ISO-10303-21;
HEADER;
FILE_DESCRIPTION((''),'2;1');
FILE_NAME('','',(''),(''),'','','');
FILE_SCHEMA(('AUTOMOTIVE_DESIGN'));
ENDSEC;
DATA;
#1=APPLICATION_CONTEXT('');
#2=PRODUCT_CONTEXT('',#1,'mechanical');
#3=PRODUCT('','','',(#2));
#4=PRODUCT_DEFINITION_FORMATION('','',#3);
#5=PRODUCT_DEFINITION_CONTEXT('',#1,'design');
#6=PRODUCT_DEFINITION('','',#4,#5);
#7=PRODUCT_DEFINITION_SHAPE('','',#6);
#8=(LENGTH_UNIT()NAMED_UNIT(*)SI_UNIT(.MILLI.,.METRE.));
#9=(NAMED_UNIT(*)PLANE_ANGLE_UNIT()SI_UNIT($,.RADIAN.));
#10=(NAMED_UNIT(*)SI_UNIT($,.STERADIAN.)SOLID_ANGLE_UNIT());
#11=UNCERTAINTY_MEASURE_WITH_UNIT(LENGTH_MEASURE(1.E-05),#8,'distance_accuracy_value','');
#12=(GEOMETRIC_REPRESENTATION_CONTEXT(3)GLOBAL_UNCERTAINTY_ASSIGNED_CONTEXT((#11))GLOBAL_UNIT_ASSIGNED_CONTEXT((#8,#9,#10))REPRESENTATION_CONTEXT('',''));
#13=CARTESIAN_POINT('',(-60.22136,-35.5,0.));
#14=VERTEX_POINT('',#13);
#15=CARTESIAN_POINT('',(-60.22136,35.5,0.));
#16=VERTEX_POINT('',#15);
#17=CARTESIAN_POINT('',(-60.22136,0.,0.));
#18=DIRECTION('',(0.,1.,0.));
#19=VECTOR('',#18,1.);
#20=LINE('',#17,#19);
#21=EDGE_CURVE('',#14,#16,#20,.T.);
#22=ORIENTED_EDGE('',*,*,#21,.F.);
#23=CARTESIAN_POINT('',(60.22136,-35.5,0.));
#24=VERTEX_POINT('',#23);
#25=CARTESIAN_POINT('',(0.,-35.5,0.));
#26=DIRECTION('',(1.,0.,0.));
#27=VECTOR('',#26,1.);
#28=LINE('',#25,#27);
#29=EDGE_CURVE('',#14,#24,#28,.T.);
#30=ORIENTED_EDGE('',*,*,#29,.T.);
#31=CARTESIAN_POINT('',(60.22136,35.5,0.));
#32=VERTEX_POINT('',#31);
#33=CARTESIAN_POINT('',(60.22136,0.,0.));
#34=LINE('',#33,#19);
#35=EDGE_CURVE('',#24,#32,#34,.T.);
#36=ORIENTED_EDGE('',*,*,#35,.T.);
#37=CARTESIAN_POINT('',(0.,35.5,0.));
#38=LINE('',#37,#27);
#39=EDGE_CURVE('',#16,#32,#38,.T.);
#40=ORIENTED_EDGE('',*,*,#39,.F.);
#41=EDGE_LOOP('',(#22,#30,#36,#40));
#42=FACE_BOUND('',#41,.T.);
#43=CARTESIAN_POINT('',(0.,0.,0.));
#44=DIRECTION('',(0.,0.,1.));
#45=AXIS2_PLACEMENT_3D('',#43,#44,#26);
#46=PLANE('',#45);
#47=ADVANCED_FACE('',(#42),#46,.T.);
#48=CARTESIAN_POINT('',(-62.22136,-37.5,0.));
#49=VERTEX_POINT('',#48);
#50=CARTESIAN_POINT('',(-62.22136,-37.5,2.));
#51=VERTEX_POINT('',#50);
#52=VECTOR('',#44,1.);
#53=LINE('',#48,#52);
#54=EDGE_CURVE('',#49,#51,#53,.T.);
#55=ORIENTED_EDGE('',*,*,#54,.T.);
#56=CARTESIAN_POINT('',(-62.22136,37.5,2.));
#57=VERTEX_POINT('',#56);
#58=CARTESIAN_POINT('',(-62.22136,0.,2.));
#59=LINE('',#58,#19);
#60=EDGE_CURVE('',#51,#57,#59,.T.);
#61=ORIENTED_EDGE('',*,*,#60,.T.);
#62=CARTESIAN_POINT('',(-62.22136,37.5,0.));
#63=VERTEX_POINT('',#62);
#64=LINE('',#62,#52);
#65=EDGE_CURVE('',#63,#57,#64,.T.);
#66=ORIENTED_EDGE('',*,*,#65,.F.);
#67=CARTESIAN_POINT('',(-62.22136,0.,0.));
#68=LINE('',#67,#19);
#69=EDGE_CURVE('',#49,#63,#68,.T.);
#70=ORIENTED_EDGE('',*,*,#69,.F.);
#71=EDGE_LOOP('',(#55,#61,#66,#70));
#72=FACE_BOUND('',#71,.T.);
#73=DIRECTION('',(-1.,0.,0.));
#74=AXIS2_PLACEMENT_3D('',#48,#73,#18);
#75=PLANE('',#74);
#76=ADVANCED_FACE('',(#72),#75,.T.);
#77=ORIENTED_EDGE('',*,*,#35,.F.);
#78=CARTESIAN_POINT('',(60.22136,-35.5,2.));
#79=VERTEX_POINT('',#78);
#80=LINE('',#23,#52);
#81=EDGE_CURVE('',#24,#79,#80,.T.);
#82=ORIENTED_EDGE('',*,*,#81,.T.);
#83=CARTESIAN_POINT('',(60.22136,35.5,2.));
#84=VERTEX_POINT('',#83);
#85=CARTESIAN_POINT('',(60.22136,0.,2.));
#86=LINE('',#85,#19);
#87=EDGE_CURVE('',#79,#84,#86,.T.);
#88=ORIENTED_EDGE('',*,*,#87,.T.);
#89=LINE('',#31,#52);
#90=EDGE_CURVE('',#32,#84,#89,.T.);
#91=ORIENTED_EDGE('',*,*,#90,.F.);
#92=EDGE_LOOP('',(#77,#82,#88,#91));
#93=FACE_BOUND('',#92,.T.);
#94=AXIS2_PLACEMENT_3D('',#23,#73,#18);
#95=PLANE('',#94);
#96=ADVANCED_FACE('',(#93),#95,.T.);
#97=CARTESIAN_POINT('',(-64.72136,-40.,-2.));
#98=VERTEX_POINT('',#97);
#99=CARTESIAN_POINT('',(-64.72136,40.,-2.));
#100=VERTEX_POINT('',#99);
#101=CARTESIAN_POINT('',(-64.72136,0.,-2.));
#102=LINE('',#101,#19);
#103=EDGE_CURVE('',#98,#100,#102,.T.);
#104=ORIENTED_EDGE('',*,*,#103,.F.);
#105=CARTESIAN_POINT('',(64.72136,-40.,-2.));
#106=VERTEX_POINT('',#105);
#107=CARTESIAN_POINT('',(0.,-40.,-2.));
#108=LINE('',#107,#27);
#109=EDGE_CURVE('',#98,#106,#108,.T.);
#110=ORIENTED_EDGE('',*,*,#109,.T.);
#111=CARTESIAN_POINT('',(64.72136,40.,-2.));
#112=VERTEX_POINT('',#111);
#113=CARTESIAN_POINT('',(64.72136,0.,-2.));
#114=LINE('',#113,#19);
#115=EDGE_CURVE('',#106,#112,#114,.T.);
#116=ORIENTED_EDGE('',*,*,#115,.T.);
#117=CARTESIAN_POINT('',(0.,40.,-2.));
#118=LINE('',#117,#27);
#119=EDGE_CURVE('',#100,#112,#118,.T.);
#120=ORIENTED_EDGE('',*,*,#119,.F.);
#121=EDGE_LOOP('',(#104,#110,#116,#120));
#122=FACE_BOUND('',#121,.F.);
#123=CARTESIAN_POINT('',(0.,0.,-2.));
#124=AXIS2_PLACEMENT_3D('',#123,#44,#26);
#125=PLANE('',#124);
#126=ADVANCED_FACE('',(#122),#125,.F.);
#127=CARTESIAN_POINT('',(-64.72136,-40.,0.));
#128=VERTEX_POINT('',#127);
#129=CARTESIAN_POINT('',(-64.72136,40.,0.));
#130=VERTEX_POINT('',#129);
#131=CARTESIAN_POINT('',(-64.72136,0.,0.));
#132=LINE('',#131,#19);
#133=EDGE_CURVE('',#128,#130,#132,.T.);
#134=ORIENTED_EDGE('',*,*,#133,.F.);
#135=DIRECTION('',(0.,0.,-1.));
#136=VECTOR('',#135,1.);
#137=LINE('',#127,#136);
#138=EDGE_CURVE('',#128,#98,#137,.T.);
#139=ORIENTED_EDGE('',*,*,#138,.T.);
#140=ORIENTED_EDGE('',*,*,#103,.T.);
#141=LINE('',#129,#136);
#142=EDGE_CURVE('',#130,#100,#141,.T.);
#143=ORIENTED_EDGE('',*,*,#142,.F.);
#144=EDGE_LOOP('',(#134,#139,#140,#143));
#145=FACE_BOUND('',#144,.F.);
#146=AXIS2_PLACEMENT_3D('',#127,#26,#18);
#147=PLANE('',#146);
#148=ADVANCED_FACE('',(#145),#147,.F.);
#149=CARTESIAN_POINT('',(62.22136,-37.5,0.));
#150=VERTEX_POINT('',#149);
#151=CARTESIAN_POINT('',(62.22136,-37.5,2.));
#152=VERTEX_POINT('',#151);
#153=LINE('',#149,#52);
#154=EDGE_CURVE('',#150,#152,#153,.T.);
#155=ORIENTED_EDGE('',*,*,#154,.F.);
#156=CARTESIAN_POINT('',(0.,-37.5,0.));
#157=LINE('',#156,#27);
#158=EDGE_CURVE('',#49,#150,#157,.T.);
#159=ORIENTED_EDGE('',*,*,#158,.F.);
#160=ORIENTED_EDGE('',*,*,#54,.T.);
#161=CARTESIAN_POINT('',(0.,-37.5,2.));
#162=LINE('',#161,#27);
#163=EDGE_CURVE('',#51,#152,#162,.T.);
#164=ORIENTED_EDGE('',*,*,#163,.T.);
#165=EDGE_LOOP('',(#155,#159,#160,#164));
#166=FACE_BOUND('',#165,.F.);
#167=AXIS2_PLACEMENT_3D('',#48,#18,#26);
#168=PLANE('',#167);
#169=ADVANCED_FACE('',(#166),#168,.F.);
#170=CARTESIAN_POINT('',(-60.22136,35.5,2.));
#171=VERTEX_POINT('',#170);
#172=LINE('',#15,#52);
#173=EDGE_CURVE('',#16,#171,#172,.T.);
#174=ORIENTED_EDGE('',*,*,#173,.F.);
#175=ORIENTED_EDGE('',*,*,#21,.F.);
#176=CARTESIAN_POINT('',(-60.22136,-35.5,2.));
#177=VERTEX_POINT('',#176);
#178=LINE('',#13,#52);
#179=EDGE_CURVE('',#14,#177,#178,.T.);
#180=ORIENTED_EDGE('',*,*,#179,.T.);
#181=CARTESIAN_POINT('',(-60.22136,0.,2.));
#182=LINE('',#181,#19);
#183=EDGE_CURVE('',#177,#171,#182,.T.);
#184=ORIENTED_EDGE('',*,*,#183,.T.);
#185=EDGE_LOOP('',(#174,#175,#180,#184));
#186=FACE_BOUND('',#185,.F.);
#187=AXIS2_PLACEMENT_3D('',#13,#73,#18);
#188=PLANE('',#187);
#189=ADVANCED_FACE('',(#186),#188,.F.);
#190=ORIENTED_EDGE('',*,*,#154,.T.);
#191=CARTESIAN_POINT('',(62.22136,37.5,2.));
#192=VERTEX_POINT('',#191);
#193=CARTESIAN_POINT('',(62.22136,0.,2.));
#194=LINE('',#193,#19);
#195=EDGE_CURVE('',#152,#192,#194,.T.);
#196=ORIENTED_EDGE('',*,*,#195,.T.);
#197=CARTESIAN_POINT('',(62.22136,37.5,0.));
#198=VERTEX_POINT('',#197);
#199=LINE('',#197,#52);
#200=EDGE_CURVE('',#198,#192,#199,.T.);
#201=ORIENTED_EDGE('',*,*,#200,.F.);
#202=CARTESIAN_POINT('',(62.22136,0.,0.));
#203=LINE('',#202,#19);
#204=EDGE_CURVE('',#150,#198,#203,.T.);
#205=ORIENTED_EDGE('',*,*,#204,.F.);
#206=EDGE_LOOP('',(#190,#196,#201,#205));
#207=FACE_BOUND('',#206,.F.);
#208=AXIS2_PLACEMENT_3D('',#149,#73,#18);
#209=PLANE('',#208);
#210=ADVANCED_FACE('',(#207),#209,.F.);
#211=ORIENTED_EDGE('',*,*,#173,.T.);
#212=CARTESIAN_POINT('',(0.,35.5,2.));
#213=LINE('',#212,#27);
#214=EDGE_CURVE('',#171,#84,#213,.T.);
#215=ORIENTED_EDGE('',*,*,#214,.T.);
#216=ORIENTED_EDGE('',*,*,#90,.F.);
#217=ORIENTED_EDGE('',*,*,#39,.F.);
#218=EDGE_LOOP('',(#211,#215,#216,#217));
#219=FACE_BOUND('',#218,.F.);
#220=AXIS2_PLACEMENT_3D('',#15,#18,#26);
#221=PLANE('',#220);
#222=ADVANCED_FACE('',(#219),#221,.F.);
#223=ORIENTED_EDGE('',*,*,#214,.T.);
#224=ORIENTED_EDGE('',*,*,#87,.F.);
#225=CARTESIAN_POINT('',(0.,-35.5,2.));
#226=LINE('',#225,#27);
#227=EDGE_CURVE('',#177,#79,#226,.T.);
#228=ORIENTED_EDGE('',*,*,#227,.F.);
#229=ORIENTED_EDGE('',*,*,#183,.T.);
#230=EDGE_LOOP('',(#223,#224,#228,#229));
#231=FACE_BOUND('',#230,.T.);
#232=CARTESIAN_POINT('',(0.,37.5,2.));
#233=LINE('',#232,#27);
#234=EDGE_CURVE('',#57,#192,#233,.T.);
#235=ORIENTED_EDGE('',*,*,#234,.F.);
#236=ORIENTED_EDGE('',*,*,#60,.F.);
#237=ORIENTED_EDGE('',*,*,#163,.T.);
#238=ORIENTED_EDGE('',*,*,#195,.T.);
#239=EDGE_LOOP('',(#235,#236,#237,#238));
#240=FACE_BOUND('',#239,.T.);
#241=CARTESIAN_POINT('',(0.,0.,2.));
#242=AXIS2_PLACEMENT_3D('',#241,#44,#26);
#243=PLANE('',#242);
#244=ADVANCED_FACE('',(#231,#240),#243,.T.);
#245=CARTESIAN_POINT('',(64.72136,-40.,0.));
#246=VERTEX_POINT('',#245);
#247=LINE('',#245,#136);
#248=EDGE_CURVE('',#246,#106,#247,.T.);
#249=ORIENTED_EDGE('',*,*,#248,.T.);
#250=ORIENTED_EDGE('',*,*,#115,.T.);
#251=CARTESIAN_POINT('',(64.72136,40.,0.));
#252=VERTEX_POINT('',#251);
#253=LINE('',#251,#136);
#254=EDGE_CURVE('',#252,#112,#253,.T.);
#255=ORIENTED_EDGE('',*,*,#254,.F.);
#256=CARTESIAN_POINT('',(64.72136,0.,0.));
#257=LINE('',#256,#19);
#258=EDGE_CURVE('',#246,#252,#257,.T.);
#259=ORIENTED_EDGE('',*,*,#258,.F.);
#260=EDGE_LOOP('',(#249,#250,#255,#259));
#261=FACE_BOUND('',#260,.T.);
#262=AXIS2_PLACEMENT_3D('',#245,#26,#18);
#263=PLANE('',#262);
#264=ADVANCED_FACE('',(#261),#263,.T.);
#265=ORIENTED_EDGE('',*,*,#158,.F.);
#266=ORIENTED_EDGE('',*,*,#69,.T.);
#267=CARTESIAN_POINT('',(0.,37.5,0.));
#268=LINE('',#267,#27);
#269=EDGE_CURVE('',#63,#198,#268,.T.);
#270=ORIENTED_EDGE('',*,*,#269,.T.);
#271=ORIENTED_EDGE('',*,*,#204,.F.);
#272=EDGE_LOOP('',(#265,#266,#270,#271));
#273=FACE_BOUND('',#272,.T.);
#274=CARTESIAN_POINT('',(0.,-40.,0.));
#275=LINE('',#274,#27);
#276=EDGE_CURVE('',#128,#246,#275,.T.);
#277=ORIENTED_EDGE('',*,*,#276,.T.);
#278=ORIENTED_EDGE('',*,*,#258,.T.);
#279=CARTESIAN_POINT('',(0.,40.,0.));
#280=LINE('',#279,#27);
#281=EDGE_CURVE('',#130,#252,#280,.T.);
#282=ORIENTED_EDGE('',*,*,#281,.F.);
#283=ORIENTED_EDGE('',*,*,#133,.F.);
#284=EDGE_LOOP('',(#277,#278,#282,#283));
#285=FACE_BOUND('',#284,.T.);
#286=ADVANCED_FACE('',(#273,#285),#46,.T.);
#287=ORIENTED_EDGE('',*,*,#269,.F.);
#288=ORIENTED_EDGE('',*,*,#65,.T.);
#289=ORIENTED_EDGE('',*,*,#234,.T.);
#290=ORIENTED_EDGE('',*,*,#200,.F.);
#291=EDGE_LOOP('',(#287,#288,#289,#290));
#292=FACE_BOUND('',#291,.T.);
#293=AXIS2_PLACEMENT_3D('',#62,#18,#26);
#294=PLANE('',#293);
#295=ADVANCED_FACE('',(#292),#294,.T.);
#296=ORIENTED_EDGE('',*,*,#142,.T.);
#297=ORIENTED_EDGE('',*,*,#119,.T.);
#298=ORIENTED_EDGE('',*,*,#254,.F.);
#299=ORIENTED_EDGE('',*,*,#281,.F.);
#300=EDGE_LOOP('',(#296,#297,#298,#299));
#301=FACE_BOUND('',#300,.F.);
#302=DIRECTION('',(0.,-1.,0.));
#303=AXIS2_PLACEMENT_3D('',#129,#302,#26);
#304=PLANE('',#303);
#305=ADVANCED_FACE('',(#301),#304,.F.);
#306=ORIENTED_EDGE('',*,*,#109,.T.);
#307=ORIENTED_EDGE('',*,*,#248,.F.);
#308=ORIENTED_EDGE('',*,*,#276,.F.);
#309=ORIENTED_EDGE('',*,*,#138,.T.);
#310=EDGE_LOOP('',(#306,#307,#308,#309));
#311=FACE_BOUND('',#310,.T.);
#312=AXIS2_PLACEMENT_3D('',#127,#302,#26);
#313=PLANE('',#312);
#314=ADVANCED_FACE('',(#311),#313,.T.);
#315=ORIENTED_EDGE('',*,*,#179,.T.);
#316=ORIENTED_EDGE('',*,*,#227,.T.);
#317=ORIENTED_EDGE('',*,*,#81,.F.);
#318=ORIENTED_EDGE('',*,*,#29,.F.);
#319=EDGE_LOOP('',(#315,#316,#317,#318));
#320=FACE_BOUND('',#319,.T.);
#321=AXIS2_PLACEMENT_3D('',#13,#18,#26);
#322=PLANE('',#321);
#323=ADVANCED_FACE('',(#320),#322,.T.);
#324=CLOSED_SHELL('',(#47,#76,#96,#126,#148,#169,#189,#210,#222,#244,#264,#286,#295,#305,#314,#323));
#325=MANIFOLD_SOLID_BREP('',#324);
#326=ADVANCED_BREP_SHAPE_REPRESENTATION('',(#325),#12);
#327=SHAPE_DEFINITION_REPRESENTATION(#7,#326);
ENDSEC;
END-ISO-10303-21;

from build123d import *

# Parameters (mm, degrees)
F0_W     = 129.44272
F0_H     = 80
F1_DEPTH = 2
F2_W     = 124.44272
F2_H     = 75
F2_W_2   = 120.44272
F2_H_2   = 71
F3_DEPTH = 2


with BuildPart() as f1:
    # F0 (on Top) → F1 (new body)
    with BuildSketch(Plane.XY):
        Rectangle(F0_W, F0_H)
    extrude(amount=-F1_DEPTH)

    # F2 (on Top) → F3 (join)
    with BuildSketch(Plane.XY):
        Rectangle(F2_W, F2_H)
        Rectangle(F2_W_2, F2_H_2, mode=Mode.SUBTRACT)
    extrude(amount=F3_DEPTH)


solid = f1.part
